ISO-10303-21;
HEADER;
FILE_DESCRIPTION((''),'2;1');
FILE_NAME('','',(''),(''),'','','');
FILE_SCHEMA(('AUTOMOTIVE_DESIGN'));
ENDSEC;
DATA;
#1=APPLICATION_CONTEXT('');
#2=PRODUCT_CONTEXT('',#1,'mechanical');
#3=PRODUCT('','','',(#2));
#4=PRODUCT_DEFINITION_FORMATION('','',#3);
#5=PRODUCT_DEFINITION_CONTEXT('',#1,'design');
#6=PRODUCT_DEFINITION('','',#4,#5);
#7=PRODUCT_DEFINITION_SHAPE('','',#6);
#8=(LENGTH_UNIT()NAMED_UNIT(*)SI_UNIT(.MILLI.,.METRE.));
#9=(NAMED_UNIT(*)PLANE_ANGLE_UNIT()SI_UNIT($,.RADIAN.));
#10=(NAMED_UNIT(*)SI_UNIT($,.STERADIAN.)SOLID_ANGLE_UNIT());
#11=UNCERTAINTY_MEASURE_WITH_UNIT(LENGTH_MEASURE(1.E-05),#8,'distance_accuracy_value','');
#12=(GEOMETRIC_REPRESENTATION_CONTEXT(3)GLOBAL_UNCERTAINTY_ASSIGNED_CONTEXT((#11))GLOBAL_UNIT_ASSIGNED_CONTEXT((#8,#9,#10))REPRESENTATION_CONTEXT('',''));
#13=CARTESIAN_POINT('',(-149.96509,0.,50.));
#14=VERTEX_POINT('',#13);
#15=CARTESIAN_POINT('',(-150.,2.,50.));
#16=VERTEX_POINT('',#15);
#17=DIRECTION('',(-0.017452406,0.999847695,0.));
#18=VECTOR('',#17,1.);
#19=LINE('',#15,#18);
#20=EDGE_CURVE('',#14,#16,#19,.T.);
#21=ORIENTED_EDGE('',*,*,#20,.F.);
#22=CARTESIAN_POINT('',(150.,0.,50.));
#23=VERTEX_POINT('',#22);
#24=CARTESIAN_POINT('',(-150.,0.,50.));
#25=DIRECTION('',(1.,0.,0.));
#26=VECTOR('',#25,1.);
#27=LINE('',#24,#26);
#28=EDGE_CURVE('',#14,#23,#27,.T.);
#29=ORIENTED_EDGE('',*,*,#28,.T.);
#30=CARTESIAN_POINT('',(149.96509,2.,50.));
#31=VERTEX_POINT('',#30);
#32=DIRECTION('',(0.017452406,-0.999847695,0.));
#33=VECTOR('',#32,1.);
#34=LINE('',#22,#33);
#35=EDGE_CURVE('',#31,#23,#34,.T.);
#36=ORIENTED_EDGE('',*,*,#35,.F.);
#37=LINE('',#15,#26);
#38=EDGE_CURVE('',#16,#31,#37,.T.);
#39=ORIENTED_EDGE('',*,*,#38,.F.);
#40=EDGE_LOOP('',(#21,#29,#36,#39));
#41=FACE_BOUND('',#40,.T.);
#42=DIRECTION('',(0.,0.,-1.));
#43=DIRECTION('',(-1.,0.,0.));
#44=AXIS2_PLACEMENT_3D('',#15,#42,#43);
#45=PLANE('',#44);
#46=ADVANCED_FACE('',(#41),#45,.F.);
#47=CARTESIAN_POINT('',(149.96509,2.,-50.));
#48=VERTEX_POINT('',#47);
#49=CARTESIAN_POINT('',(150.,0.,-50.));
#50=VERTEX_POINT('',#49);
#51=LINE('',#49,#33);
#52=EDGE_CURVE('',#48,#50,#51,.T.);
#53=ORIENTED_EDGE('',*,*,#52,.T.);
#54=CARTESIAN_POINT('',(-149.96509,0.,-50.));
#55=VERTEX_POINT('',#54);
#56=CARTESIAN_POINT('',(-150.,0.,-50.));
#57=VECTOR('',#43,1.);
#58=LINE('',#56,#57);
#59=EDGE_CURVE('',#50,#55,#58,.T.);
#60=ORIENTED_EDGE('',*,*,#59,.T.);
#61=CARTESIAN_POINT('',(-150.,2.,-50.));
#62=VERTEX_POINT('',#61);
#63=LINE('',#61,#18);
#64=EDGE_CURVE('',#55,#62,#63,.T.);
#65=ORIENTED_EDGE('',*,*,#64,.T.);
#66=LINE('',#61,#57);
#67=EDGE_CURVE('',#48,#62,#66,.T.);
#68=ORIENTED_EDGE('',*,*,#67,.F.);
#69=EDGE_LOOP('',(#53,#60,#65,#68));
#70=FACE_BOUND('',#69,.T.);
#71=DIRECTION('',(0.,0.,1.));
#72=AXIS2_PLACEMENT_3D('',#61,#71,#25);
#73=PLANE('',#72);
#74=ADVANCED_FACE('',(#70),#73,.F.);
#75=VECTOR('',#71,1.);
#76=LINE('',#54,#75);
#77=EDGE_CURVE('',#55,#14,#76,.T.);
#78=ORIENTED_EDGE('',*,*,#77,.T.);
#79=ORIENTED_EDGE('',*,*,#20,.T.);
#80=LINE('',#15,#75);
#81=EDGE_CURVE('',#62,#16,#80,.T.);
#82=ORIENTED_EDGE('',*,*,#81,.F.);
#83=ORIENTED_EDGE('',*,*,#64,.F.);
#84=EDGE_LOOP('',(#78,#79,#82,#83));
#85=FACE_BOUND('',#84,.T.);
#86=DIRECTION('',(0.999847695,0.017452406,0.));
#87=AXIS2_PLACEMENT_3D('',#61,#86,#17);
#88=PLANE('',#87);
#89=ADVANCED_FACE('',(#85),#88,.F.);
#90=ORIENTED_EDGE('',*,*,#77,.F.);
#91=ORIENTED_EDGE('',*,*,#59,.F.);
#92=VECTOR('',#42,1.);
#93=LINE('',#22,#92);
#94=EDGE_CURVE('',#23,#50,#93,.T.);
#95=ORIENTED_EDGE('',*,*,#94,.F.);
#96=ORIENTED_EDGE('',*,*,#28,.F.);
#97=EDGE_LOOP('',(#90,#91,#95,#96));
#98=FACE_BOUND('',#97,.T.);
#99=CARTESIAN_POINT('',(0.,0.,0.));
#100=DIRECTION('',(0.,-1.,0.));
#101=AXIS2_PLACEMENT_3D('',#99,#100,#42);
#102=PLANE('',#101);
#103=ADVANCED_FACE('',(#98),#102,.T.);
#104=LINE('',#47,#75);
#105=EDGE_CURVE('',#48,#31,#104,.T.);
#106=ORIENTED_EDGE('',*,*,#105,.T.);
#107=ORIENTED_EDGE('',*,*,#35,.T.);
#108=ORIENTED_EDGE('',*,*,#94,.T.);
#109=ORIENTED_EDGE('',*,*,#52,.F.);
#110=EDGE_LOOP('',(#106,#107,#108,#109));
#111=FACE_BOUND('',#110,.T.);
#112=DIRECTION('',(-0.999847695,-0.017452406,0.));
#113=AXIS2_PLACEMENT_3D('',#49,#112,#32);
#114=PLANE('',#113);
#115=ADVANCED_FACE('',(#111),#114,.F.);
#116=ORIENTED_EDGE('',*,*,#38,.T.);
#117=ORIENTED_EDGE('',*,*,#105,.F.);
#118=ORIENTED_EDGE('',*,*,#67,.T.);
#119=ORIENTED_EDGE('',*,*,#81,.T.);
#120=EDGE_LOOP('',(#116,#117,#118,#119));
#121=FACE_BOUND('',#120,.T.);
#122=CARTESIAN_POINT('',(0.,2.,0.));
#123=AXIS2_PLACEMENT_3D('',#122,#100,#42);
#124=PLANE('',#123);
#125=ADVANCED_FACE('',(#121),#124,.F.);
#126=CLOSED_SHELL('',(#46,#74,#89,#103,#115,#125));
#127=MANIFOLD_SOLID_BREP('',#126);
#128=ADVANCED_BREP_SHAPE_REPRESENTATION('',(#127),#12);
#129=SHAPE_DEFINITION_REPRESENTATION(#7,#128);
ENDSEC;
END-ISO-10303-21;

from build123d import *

# Parameters (mm, degrees)
SKETCH1_W           = 300
SKETCH1_H           = 100
BOSS_EXTRUDE1_DEPTH = 2
CUT_EXTRUDE1_DEPTH  = 101


with BuildPart() as part:
    # Sketch1 → Boss-Extrude1 (new body)
    with BuildSketch(Plane(origin=(0, 0, 0), x_dir=(1, 0, 0), z_dir=(0, 1, 0))):
        Rectangle(SKETCH1_W, SKETCH1_H)
    extrude(amount=BOSS_EXTRUDE1_DEPTH)

    # Sketch2 → Cut-Extrude1 (cut, through all)
    with BuildSketch(Plane.XY.offset(50)):
        Polygon((-150, 2), (-149.96508987, 0), (-150, 0), align=None)
        Polygon((150, 0), (149.96508987, 2), (150, 2), align=None)
    extrude(amount=-CUT_EXTRUDE1_DEPTH, mode=Mode.SUBTRACT)


solid = part.part
